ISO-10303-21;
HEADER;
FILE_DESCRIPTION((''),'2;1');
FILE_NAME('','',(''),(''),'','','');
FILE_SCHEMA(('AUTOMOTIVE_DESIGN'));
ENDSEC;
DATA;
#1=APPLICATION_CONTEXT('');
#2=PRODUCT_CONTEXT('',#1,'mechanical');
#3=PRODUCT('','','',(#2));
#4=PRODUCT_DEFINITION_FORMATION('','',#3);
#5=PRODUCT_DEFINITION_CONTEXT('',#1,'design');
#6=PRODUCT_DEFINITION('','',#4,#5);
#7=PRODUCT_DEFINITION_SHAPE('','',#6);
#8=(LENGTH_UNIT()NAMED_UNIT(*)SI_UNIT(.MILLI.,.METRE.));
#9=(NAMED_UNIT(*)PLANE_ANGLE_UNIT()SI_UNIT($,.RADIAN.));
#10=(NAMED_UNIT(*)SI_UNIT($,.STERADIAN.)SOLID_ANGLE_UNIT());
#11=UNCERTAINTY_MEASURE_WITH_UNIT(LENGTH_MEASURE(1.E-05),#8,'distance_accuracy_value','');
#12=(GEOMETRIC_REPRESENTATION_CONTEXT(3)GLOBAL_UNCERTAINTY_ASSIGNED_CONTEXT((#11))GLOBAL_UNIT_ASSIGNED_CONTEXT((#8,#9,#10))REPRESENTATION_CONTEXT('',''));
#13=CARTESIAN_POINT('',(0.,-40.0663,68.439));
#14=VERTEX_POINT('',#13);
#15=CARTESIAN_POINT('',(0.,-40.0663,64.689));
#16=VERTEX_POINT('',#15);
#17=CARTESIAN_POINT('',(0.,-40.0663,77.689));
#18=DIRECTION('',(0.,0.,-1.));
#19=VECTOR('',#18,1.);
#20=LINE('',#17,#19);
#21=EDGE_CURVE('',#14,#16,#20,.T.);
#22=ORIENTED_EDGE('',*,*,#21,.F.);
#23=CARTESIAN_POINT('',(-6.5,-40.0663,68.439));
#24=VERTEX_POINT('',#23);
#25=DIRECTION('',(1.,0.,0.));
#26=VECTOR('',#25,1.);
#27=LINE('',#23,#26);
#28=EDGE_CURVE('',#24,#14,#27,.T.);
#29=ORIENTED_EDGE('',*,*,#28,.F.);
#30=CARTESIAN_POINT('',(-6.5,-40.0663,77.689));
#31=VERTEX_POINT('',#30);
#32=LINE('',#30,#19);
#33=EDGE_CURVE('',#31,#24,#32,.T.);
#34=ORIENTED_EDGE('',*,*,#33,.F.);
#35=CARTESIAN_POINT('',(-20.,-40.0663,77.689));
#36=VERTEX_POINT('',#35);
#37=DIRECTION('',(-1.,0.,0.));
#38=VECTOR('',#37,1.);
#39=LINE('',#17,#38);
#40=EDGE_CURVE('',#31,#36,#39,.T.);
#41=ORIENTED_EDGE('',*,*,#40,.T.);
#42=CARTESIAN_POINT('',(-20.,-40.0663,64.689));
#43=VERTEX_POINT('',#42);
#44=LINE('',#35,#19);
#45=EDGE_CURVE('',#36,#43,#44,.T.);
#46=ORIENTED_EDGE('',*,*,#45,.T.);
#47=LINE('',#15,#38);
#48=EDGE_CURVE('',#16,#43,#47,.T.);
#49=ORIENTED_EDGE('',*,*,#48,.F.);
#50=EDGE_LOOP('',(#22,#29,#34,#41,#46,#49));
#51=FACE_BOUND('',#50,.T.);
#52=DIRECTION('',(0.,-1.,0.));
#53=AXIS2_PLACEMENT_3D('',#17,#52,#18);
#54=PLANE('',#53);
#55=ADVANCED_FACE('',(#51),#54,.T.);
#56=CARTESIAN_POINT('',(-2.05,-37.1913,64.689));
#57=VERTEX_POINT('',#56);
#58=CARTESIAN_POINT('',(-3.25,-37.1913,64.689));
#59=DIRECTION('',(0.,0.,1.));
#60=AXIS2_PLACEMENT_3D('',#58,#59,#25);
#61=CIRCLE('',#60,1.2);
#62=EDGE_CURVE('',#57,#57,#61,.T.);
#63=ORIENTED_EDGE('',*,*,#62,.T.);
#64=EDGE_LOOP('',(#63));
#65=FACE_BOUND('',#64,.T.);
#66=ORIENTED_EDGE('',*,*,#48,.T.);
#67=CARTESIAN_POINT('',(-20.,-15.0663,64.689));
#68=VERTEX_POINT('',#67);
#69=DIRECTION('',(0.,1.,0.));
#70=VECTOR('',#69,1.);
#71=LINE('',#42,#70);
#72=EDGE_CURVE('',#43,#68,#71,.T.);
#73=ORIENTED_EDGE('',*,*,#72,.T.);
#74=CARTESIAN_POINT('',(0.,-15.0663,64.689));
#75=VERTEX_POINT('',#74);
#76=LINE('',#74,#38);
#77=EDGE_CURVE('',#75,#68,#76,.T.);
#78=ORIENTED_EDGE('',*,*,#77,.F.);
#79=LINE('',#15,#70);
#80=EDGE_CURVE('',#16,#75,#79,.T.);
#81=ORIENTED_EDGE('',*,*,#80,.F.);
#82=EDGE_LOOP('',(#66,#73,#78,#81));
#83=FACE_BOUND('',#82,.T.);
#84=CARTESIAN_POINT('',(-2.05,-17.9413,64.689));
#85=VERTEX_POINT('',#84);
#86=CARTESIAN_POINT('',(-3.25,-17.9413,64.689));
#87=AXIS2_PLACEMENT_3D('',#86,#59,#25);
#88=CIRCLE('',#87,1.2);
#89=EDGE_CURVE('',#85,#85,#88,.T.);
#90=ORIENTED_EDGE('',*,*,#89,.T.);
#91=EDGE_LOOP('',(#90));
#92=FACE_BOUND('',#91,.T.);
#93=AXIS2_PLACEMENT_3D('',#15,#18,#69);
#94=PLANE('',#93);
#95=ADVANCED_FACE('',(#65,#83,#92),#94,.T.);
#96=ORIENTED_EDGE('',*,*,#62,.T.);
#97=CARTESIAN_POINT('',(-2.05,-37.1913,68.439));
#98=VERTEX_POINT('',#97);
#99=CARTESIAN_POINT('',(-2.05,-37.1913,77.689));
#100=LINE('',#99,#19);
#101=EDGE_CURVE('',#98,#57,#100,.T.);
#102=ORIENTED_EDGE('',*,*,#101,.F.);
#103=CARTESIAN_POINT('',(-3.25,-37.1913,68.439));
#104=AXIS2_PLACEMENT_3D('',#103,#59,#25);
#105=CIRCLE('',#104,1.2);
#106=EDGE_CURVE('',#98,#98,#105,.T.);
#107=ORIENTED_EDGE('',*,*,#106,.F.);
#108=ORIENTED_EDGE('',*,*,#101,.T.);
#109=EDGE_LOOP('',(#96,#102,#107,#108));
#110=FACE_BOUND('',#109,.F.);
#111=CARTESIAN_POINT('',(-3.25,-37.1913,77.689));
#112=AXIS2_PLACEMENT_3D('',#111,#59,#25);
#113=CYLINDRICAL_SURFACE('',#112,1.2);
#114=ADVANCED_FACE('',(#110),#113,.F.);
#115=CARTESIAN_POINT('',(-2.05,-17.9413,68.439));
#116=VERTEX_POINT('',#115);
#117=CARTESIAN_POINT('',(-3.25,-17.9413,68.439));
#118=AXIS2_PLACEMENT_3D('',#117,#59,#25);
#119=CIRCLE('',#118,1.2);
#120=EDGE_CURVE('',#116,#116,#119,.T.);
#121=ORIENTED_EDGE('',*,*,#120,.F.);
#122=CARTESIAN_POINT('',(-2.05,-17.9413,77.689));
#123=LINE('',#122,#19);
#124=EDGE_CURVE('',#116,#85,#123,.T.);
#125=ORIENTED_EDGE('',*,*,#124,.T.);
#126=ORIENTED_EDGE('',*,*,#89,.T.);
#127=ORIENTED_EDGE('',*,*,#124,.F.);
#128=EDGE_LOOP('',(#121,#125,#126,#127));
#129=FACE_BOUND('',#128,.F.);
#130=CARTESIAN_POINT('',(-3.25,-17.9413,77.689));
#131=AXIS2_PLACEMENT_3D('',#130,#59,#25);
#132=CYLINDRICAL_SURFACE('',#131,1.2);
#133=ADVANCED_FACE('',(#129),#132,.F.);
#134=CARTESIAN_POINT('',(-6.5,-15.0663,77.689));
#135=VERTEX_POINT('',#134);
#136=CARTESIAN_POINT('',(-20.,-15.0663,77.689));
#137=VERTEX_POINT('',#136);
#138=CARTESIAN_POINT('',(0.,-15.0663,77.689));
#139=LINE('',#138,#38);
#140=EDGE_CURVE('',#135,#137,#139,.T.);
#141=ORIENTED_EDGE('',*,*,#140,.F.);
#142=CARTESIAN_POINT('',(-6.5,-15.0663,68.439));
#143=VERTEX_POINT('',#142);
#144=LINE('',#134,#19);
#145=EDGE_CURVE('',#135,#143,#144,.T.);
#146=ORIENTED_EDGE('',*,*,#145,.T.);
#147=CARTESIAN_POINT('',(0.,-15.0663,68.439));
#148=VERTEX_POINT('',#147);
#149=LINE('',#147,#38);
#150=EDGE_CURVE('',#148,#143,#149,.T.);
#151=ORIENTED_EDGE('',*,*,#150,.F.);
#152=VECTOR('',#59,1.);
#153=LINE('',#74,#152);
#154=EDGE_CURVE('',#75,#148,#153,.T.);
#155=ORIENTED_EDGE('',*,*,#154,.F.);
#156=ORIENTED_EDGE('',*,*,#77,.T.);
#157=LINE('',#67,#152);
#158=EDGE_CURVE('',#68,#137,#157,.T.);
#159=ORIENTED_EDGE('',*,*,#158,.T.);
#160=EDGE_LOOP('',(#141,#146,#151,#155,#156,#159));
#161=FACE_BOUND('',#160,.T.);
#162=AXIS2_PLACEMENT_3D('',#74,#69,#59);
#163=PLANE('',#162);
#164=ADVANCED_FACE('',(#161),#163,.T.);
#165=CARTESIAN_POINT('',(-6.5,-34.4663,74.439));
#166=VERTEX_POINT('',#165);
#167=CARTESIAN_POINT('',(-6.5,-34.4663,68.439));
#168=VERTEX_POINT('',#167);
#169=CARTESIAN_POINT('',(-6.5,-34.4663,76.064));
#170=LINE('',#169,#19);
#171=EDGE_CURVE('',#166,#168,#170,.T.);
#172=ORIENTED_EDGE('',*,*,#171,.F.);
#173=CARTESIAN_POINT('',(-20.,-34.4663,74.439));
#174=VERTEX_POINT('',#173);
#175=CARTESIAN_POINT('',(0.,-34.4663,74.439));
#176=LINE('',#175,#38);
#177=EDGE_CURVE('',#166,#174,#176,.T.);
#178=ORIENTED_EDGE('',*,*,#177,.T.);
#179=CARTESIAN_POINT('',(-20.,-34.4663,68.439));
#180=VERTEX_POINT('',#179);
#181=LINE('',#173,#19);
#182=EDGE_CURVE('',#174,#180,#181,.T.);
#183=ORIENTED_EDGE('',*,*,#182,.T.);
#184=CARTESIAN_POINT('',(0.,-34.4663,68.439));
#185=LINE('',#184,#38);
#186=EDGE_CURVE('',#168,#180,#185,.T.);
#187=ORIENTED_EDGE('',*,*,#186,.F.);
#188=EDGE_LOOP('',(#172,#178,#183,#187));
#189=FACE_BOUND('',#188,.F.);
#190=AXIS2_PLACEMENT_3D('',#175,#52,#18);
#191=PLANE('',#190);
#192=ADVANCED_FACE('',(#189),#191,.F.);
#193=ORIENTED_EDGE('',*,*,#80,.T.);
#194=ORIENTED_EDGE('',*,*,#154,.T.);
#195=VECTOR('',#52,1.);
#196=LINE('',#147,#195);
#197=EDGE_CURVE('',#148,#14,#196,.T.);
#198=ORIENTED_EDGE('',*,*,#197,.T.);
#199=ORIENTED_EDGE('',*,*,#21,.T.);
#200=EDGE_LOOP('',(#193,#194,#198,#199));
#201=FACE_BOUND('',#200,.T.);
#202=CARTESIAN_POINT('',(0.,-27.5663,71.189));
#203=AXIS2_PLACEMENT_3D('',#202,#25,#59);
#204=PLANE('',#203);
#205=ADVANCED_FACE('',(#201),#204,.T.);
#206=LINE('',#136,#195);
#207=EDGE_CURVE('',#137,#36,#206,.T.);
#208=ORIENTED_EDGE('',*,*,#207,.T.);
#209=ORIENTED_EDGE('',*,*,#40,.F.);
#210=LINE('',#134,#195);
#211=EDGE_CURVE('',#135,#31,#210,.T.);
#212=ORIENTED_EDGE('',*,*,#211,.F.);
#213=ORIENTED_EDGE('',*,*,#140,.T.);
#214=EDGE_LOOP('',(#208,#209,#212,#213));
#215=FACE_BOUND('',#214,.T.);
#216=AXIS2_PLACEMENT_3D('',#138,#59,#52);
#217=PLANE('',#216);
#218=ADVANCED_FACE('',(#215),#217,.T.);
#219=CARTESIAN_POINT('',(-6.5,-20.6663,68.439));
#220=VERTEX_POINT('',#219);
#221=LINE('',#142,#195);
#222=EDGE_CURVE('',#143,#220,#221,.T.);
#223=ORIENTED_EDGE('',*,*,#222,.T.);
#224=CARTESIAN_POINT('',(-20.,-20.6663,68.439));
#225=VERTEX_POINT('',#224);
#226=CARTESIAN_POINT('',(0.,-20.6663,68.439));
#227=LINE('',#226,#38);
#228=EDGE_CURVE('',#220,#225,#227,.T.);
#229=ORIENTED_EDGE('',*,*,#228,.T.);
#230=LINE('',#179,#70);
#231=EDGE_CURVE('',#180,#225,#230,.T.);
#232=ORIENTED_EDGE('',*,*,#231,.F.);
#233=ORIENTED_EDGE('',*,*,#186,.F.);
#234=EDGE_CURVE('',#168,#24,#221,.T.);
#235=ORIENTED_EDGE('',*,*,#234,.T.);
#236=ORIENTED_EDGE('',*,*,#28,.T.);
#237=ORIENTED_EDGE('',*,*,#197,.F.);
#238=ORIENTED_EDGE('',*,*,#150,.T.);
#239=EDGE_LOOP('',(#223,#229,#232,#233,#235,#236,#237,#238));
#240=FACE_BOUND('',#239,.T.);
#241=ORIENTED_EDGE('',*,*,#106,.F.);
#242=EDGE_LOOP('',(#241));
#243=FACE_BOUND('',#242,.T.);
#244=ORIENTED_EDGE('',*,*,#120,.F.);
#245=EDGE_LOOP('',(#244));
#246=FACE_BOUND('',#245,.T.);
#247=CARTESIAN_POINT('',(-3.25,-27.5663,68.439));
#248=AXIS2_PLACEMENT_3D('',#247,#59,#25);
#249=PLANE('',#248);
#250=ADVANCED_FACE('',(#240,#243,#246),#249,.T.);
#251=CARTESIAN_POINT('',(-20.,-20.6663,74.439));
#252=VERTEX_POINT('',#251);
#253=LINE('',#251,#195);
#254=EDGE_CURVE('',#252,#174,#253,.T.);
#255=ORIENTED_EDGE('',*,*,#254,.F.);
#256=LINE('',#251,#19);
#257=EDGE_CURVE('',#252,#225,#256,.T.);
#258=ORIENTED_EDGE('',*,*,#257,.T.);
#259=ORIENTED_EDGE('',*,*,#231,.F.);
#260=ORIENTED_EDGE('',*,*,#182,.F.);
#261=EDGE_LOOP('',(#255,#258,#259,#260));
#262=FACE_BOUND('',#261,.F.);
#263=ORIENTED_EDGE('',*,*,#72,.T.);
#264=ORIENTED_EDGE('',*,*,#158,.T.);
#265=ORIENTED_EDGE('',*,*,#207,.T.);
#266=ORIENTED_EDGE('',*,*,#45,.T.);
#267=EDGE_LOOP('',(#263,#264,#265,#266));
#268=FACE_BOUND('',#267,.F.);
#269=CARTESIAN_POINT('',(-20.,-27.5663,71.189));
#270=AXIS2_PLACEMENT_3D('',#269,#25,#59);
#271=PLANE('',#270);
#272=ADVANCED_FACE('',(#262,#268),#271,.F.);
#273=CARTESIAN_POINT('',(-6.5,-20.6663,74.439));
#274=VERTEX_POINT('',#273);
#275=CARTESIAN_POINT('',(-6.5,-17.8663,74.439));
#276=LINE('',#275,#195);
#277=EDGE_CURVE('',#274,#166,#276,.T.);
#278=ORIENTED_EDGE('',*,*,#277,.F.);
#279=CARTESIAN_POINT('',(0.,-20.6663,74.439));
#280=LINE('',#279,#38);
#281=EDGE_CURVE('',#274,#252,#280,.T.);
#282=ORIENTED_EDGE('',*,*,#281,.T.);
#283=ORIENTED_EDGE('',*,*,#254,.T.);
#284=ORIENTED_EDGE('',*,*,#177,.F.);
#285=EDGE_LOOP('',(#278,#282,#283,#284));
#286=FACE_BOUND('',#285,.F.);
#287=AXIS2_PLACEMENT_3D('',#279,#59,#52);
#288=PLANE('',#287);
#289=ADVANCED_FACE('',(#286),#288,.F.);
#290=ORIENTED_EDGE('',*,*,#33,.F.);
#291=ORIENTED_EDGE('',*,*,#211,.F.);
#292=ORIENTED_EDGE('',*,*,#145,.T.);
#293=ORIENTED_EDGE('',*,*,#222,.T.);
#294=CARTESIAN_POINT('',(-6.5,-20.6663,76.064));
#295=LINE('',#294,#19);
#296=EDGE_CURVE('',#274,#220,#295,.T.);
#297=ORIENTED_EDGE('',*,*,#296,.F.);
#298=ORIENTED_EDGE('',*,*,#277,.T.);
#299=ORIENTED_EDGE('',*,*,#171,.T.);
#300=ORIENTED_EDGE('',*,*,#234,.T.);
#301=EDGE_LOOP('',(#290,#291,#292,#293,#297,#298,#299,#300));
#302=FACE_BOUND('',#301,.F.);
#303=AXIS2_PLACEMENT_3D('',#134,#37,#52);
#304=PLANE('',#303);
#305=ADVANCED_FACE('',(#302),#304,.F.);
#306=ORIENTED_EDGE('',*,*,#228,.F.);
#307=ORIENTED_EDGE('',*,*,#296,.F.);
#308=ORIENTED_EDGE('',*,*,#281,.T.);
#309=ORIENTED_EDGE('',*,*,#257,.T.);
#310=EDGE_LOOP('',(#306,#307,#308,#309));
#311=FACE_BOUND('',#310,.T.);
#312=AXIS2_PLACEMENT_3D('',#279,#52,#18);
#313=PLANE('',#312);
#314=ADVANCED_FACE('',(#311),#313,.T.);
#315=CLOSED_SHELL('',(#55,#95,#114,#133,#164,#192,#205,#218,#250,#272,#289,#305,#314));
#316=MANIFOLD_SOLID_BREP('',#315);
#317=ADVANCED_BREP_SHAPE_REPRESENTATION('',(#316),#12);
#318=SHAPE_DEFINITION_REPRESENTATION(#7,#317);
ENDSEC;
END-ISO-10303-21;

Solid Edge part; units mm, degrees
sketch "Sketch1" plane through (0, 0, 0) normal (1, 0, 0) x (0, 1, 0)
  line L0 (-34.4663, 68.439) -> (-20.6663, 68.439)
  line L1 (-20.6663, 74.439) -> (-20.6663, 68.439)
  line L2 (-20.6663, 74.439) -> (-34.4663, 74.439)
  line L3 (-34.4663, 74.439) -> (-34.4663, 68.439)
  line L4 (-15.0663, 64.689) -> (-15.0663, 77.689)
  line L5 (-15.0663, 77.689) -> (-40.0663, 77.689)
  line L6 (-40.0663, 77.689) -> (-40.0663, 64.689)
  line L7 (-40.0663, 64.689) -> (-15.0663, 64.689)
extrude "Protrusion1" add sketch "Sketch1" against normal blind 20
sketch "Sketch2" plane through (-10, -27.5663, 77.689) normal (0, 0, 1) x (1, 0, 0)
  line L0 (3.5, 12.5) -> (3.5, -12.5)
  line L1 (3.5, -12.5) -> (10, -12.5)
  line L2 (10, -12.5) -> (10, 12.5)
  line L3 (10, 12.5) -> (3.5, 12.5)
extrude "Cutout1" cut sketch "Sketch2" against normal up to vertex (9.25 mm away)
sketch "Sketch3" plane through (-10, -27.5663, 77.689) normal (0, 0, 1) x (1, 0, 0)
  circle A0 centre (6.75, -9.625) radius 1.2
  circle A1 centre (6.75, 9.625) radius 1.2
extrude "Cutout2" cut sketch "Sketch3" against normal up to next
